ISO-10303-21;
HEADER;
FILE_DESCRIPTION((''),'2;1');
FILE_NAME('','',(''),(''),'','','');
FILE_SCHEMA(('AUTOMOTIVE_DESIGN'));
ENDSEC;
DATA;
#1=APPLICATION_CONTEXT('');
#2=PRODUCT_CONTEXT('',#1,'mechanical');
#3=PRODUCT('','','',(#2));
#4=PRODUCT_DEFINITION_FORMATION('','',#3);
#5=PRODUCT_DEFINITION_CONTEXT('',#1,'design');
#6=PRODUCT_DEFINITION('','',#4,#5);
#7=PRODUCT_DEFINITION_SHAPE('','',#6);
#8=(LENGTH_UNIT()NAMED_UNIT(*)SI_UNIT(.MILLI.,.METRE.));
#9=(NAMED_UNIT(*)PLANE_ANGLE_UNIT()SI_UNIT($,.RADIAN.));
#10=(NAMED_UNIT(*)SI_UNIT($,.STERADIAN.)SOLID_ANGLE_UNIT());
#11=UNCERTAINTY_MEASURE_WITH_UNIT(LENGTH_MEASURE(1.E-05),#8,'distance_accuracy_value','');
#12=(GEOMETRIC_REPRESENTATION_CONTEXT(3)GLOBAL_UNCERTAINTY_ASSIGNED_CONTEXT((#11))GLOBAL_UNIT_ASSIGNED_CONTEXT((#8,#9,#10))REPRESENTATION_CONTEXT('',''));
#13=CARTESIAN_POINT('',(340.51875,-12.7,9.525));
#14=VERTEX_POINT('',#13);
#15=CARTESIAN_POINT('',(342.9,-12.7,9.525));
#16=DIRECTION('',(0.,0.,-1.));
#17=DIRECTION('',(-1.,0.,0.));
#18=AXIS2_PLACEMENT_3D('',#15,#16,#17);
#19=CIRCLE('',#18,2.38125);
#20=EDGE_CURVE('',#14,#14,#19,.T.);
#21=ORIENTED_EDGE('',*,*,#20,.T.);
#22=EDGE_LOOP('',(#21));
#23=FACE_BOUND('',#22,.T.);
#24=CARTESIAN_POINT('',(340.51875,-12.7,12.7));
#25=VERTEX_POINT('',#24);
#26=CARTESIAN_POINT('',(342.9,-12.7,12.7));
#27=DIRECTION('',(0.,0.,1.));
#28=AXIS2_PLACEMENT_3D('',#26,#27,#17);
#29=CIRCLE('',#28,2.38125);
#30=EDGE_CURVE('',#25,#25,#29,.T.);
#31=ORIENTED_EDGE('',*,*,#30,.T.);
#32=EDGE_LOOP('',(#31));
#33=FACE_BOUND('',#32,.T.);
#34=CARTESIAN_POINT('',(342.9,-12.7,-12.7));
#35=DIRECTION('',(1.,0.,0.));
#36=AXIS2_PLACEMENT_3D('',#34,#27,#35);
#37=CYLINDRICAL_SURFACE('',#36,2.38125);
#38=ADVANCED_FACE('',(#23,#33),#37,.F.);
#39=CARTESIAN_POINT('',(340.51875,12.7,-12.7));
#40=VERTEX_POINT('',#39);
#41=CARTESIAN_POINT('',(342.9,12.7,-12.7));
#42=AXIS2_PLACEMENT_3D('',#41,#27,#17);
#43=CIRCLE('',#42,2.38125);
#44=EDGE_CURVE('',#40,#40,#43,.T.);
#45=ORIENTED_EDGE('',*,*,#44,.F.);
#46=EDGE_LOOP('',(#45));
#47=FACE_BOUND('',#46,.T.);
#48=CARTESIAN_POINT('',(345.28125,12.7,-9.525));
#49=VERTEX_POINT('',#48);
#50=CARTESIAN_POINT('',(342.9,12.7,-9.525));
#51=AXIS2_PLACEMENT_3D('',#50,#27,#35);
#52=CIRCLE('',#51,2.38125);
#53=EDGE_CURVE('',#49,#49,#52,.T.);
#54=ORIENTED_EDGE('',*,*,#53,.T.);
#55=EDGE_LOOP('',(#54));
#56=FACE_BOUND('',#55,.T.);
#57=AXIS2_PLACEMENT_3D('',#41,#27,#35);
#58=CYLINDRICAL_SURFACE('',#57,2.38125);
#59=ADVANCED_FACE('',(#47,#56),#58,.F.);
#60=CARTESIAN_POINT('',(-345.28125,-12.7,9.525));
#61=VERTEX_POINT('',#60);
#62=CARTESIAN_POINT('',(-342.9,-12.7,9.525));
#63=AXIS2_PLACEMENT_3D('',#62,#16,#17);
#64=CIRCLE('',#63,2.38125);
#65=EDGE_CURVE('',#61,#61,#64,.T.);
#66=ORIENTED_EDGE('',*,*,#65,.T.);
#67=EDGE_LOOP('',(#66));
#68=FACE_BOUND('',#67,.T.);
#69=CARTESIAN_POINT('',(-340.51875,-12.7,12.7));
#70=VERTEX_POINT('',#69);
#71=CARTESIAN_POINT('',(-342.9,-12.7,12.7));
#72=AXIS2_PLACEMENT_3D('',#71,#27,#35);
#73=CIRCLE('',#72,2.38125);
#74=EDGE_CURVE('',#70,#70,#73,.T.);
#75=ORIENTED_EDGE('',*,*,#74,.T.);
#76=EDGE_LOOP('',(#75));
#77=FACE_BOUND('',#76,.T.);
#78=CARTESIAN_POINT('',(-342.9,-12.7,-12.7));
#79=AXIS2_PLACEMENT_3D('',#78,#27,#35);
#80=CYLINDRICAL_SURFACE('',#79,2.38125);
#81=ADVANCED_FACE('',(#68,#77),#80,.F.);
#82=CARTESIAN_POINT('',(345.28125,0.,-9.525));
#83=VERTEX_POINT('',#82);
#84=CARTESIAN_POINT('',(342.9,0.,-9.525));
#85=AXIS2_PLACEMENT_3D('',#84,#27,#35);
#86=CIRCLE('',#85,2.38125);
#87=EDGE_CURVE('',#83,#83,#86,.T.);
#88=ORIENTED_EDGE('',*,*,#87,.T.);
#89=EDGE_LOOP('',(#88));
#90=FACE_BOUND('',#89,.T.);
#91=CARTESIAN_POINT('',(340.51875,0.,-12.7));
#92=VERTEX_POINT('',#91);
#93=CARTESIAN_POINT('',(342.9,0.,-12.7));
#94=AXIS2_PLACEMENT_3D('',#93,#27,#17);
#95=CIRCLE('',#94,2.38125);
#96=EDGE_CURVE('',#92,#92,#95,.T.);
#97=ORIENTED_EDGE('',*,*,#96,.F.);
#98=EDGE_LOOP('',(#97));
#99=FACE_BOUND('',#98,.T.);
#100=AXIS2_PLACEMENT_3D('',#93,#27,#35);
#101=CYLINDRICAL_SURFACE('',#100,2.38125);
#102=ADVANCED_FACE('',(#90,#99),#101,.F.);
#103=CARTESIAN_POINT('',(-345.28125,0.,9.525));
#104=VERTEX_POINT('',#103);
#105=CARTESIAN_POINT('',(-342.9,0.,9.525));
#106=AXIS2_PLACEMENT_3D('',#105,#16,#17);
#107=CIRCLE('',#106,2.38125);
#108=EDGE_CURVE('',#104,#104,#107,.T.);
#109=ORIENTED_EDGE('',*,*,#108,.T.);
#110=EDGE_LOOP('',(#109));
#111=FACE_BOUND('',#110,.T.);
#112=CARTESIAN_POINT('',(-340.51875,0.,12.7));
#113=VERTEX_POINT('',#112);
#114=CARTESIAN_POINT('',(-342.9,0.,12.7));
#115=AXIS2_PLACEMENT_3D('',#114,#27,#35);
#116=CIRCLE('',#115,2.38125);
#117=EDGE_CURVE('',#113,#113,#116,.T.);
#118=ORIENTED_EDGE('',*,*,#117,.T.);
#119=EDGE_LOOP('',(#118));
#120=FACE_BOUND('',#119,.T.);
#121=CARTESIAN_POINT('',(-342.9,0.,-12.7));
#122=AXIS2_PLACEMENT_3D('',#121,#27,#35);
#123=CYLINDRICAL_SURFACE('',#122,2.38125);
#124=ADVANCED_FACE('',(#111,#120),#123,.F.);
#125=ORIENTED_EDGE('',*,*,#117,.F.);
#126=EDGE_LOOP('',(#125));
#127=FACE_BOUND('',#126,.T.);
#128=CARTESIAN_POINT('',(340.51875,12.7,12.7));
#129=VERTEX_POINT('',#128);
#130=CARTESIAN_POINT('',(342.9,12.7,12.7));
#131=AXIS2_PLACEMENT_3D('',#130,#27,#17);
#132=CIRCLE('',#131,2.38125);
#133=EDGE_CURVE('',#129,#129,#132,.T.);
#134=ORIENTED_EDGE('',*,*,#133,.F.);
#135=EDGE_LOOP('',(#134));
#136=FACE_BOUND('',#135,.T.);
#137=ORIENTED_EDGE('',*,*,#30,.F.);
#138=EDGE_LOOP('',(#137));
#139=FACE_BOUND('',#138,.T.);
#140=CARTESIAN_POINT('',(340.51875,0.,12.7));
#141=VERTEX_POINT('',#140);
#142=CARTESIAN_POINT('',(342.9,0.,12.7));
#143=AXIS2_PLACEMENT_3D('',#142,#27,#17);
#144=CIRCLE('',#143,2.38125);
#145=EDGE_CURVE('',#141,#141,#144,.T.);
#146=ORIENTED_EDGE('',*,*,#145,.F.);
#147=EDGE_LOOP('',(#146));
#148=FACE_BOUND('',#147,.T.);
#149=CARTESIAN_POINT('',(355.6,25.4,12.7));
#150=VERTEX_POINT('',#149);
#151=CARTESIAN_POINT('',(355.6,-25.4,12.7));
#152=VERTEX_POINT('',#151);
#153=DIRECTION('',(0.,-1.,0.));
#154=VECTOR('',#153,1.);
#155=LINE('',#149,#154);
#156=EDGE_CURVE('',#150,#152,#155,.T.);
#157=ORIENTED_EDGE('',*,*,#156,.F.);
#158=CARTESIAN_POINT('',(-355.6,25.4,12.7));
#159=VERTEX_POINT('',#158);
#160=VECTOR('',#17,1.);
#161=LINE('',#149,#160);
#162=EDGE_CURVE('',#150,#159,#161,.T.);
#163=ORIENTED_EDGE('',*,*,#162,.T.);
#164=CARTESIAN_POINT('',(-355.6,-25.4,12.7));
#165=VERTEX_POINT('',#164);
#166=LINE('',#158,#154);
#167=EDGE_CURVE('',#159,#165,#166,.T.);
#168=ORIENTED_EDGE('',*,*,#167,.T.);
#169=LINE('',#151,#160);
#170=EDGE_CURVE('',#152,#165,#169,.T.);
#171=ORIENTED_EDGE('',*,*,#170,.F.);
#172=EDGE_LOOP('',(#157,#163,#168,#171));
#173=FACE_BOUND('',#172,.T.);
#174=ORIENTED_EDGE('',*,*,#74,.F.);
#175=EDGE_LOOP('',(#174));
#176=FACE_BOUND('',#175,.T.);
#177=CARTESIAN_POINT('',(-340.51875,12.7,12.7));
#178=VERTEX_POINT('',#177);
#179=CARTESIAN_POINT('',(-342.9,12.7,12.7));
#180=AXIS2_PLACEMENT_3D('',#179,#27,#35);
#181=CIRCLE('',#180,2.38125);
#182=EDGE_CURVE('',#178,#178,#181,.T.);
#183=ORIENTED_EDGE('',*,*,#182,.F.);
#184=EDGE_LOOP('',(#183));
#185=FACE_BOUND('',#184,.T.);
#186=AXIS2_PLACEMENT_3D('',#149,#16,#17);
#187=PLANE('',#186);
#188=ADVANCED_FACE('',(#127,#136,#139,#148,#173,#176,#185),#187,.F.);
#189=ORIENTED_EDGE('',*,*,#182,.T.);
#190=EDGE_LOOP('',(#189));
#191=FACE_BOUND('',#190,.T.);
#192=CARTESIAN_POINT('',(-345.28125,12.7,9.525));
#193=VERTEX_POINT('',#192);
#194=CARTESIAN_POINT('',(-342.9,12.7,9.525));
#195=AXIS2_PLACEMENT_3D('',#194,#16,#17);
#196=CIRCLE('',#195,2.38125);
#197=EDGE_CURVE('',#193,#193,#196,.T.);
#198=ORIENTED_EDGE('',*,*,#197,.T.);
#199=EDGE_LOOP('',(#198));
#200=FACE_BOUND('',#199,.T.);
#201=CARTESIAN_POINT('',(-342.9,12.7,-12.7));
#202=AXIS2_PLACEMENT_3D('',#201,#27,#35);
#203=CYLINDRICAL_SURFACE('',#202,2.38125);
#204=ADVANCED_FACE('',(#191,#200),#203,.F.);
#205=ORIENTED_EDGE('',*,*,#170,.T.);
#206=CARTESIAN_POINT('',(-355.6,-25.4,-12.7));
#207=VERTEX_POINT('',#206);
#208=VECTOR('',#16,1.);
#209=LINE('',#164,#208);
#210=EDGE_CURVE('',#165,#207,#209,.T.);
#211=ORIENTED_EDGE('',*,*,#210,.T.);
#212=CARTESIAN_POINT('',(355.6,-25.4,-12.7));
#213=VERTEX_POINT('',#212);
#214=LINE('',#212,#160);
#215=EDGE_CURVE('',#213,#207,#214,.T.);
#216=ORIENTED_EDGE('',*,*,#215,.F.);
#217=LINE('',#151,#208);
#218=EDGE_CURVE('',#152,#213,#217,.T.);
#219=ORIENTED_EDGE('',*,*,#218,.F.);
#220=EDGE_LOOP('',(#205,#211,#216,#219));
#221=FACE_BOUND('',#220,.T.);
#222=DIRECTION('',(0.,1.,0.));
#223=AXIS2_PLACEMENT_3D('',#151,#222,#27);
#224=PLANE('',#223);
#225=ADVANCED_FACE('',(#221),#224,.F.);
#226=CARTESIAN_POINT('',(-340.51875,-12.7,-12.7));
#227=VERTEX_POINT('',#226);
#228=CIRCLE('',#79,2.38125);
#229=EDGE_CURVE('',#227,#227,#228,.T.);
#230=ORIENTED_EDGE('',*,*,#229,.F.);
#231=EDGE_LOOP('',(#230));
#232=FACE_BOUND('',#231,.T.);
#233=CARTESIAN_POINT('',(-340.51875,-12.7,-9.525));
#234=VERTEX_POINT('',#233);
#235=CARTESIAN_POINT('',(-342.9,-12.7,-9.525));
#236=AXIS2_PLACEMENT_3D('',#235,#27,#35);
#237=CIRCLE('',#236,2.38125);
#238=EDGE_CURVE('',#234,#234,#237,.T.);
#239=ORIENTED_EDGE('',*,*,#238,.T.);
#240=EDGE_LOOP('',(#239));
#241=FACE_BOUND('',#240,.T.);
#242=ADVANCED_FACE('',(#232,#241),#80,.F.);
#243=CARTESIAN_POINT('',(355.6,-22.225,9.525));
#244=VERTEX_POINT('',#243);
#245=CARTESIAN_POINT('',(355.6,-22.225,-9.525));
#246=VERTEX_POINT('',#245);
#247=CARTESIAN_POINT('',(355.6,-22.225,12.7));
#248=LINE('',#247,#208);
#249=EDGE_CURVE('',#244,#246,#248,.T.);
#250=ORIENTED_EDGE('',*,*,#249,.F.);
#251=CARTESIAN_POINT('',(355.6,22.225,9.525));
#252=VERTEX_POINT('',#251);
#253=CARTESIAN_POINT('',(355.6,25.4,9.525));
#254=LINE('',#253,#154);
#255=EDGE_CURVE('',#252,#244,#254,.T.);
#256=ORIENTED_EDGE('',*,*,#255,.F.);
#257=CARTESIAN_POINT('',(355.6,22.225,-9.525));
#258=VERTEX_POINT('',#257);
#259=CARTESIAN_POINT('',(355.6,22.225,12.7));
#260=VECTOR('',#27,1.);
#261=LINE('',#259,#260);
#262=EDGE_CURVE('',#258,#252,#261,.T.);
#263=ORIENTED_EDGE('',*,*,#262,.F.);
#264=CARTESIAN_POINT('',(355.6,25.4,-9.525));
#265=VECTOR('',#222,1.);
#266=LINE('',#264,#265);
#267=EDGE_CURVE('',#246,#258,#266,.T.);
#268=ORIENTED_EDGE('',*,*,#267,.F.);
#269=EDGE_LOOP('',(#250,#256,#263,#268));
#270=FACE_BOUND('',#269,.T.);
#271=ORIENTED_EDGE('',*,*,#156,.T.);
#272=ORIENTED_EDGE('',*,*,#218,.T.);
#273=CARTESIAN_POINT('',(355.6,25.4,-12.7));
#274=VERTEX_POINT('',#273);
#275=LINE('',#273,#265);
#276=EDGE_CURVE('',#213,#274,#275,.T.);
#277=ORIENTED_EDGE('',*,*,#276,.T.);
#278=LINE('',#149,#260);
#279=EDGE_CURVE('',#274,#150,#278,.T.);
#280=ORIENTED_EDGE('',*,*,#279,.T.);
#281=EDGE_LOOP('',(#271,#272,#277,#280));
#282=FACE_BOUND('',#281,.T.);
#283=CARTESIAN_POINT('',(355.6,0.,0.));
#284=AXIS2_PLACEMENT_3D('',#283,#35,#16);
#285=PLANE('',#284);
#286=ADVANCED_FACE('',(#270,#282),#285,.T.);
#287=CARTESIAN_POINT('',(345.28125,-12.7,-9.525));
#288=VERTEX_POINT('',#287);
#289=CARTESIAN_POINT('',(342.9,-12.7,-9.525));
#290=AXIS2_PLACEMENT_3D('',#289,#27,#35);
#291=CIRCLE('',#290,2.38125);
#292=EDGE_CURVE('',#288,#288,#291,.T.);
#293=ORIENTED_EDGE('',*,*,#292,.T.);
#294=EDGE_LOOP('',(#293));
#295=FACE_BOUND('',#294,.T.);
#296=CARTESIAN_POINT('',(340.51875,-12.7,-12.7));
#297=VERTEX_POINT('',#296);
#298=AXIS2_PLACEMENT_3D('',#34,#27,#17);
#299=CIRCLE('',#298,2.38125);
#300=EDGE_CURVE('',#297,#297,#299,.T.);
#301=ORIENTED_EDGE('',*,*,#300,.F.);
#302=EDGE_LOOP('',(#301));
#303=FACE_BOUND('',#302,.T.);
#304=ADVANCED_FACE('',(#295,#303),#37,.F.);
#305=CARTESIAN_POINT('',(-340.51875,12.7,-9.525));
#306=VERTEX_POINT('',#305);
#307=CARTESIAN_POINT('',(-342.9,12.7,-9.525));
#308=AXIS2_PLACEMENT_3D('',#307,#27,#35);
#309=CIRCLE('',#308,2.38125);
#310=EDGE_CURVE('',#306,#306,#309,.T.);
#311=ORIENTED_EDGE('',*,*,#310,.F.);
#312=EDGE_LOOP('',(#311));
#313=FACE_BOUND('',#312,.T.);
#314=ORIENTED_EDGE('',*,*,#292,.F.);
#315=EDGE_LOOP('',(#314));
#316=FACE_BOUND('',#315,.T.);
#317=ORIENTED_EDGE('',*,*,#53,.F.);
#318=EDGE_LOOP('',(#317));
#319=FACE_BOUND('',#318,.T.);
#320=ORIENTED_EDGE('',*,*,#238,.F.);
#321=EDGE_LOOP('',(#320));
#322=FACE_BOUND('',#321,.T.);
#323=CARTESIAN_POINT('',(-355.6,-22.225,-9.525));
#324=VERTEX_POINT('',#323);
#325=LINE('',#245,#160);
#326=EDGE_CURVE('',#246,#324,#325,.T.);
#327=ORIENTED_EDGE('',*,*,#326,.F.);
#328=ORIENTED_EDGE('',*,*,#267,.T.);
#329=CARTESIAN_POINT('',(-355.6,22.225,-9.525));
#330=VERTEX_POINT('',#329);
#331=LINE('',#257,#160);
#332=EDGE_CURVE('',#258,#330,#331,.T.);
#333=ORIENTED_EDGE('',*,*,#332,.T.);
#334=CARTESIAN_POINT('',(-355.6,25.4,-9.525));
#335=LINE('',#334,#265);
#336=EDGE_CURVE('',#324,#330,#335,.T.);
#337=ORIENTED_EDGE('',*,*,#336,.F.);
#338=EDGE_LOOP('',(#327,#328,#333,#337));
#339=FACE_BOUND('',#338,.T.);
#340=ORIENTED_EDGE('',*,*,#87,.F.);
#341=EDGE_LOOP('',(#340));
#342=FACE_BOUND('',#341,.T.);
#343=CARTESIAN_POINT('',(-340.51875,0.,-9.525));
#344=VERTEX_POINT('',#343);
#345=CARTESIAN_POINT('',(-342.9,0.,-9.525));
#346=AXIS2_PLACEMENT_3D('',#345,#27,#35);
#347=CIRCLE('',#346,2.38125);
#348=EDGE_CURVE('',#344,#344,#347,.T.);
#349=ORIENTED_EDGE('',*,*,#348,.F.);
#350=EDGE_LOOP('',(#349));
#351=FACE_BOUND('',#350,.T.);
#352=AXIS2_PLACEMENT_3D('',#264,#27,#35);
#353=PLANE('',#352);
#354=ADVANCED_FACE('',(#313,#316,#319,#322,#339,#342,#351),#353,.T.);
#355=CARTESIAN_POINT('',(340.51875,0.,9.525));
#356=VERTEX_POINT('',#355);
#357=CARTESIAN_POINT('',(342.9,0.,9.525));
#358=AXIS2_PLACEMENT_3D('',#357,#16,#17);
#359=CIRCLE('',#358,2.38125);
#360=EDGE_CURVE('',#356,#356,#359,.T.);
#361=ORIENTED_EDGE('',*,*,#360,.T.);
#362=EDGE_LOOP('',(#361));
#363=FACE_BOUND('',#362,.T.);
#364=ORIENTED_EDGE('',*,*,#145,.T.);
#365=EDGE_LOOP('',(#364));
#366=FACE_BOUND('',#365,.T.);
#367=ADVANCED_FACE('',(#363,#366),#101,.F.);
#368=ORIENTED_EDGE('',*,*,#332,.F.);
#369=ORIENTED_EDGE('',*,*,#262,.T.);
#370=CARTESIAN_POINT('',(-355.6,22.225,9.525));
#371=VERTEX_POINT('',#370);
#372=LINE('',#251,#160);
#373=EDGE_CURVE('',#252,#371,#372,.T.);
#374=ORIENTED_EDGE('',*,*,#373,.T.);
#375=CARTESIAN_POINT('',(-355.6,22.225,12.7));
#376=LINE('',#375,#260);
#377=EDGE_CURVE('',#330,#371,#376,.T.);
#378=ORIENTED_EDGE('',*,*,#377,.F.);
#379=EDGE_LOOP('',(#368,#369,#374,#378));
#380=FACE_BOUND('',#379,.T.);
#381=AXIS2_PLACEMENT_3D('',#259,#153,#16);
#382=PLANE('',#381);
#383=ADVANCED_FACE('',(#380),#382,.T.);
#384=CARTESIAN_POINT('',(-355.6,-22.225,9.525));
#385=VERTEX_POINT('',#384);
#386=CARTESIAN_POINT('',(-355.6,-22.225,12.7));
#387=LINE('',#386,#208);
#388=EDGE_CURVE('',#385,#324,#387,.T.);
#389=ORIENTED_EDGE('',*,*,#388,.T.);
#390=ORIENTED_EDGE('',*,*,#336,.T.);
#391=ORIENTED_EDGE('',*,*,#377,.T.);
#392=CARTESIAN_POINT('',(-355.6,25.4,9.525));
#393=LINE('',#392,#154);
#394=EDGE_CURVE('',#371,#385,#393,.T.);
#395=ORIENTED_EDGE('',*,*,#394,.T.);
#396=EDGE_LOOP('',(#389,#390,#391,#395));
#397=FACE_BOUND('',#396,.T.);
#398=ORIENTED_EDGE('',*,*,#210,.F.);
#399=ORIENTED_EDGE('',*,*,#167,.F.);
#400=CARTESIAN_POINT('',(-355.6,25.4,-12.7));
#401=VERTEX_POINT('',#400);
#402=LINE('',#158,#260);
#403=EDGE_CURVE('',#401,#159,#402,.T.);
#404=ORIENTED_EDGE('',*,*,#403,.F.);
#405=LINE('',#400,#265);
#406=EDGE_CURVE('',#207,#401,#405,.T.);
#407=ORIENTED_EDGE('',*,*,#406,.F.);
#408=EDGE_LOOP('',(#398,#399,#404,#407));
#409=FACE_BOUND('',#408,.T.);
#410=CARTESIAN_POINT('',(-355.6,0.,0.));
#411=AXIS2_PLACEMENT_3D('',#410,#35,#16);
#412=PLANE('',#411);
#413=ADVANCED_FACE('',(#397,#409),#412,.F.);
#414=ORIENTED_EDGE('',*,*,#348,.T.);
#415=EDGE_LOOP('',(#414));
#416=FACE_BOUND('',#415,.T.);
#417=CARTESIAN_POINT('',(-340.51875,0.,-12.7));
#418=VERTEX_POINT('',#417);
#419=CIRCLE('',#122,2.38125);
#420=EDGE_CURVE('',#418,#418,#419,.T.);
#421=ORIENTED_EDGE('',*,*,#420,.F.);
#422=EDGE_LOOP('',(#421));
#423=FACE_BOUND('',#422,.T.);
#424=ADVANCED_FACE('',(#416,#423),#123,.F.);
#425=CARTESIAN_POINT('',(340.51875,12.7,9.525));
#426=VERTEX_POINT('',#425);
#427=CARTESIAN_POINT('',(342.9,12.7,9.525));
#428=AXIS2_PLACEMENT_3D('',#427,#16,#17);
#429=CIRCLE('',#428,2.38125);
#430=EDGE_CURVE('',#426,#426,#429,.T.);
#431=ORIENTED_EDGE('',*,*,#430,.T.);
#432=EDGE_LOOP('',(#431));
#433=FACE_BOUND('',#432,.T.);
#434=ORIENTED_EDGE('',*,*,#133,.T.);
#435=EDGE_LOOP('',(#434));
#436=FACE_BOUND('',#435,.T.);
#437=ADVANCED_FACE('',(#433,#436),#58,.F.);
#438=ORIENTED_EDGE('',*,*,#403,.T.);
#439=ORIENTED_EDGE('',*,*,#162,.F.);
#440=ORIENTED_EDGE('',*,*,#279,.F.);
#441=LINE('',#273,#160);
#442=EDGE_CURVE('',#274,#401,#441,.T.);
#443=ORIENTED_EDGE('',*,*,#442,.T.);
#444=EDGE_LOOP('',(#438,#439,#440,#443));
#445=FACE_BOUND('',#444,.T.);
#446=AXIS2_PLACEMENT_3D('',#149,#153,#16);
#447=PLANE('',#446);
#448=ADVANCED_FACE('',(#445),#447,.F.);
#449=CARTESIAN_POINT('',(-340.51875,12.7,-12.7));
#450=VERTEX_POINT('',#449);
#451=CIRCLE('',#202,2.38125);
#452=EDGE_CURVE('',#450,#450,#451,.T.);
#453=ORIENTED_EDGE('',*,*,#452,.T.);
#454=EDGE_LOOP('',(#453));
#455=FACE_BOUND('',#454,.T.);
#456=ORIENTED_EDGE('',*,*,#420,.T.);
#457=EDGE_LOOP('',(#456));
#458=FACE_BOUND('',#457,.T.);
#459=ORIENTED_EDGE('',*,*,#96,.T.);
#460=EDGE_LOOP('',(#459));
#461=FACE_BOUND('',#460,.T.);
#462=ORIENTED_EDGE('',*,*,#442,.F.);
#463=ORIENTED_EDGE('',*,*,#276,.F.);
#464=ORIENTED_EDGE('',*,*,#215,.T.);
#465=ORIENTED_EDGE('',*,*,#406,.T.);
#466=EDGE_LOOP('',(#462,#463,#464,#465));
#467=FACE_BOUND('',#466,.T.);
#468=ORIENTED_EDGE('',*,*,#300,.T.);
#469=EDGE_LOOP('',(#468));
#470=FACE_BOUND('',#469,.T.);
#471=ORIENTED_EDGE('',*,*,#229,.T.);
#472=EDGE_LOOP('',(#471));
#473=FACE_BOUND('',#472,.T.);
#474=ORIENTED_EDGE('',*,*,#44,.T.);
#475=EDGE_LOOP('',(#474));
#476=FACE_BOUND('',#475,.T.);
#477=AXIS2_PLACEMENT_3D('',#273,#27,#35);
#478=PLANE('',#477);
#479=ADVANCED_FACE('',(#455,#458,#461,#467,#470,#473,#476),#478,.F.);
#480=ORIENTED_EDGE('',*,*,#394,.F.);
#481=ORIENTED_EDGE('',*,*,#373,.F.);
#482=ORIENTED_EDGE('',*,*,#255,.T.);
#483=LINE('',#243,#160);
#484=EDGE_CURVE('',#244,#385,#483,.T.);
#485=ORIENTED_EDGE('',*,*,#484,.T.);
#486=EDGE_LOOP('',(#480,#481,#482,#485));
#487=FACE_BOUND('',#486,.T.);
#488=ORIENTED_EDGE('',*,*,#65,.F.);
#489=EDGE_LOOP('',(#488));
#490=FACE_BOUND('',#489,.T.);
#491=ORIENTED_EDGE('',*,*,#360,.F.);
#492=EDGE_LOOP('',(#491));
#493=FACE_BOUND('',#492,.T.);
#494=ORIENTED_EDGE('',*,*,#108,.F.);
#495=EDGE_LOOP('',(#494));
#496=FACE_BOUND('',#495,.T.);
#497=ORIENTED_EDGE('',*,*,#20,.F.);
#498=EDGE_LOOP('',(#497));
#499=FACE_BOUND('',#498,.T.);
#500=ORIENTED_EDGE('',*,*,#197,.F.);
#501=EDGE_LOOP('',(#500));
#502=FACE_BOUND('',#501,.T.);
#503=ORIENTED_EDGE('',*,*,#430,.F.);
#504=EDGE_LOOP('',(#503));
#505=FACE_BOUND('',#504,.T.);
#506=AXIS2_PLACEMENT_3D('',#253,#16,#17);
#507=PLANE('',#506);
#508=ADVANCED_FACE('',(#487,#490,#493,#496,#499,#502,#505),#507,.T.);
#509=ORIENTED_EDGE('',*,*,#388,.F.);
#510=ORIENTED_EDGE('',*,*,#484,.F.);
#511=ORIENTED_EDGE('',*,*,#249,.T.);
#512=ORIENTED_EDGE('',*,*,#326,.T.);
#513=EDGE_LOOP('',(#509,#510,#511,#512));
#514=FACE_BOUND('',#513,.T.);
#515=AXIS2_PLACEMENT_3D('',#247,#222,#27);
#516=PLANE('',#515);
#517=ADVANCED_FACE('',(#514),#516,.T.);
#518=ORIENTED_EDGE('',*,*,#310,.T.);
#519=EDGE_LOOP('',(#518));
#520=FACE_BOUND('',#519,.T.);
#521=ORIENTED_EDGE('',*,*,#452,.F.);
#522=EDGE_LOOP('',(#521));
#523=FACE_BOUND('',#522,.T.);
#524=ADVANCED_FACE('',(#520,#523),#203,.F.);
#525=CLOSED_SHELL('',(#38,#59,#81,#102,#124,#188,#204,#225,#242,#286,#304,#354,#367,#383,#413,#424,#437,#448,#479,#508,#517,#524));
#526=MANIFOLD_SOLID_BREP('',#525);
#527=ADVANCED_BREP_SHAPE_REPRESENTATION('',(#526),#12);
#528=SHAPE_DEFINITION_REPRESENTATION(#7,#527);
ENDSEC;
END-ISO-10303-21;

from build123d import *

# Parameters (mm, degrees)
SKETCH1_W           = 25.4
SKETCH1_H           = 50.8
BOSS_EXTRUDE1_DEPTH = 355.6
SHELL1_T            = -3.175
SKETCH2_R           = 2.38125
CUT_EXTRUDE1_DEPTH  = 358.409680899


with BuildPart() as part:
    # Sketch1 → Boss-Extrude1 (new, symmetric)
    with BuildSketch(Plane(origin=(0, 0, 0), x_dir=(0, 0, -1), z_dir=(1, 0, 0))):
        Rectangle(SKETCH1_W, SKETCH1_H)
    extrude(amount=BOSS_EXTRUDE1_DEPTH, both=True)

    # Shell1
    shell1_openings = [part.faces().sort_by_distance(p)[0] for p in [
        (355.6, 0, 0),
        (-355.6, 0, 0),
    ]]
    offset(amount=SHELL1_T, openings=shell1_openings, kind=Kind.INTERSECTION)

    # Sketch2 → Cut-Extrude1 (cut, through all)
    with BuildSketch(Plane.XY.offset(12.7)):
        with Locations((-342.9, 12.7)):
            Circle(SKETCH2_R)
        with Locations((-342.9, 0)):
            Circle(SKETCH2_R)
        with Locations((-342.9, -12.7)):
            Circle(SKETCH2_R)
        with Locations(Location((342.9, -12.7, 0), (0, 0, 180))):
            Circle(SKETCH2_R)
        with Locations(Location((342.9, 0, 0), (0, 0, 180))):
            Circle(SKETCH2_R)
        with Locations(Location((342.9, 12.7, 0), (0, 0, 180))):
            Circle(SKETCH2_R)
    extrude(amount=-CUT_EXTRUDE1_DEPTH, mode=Mode.SUBTRACT)


solid = part.part
